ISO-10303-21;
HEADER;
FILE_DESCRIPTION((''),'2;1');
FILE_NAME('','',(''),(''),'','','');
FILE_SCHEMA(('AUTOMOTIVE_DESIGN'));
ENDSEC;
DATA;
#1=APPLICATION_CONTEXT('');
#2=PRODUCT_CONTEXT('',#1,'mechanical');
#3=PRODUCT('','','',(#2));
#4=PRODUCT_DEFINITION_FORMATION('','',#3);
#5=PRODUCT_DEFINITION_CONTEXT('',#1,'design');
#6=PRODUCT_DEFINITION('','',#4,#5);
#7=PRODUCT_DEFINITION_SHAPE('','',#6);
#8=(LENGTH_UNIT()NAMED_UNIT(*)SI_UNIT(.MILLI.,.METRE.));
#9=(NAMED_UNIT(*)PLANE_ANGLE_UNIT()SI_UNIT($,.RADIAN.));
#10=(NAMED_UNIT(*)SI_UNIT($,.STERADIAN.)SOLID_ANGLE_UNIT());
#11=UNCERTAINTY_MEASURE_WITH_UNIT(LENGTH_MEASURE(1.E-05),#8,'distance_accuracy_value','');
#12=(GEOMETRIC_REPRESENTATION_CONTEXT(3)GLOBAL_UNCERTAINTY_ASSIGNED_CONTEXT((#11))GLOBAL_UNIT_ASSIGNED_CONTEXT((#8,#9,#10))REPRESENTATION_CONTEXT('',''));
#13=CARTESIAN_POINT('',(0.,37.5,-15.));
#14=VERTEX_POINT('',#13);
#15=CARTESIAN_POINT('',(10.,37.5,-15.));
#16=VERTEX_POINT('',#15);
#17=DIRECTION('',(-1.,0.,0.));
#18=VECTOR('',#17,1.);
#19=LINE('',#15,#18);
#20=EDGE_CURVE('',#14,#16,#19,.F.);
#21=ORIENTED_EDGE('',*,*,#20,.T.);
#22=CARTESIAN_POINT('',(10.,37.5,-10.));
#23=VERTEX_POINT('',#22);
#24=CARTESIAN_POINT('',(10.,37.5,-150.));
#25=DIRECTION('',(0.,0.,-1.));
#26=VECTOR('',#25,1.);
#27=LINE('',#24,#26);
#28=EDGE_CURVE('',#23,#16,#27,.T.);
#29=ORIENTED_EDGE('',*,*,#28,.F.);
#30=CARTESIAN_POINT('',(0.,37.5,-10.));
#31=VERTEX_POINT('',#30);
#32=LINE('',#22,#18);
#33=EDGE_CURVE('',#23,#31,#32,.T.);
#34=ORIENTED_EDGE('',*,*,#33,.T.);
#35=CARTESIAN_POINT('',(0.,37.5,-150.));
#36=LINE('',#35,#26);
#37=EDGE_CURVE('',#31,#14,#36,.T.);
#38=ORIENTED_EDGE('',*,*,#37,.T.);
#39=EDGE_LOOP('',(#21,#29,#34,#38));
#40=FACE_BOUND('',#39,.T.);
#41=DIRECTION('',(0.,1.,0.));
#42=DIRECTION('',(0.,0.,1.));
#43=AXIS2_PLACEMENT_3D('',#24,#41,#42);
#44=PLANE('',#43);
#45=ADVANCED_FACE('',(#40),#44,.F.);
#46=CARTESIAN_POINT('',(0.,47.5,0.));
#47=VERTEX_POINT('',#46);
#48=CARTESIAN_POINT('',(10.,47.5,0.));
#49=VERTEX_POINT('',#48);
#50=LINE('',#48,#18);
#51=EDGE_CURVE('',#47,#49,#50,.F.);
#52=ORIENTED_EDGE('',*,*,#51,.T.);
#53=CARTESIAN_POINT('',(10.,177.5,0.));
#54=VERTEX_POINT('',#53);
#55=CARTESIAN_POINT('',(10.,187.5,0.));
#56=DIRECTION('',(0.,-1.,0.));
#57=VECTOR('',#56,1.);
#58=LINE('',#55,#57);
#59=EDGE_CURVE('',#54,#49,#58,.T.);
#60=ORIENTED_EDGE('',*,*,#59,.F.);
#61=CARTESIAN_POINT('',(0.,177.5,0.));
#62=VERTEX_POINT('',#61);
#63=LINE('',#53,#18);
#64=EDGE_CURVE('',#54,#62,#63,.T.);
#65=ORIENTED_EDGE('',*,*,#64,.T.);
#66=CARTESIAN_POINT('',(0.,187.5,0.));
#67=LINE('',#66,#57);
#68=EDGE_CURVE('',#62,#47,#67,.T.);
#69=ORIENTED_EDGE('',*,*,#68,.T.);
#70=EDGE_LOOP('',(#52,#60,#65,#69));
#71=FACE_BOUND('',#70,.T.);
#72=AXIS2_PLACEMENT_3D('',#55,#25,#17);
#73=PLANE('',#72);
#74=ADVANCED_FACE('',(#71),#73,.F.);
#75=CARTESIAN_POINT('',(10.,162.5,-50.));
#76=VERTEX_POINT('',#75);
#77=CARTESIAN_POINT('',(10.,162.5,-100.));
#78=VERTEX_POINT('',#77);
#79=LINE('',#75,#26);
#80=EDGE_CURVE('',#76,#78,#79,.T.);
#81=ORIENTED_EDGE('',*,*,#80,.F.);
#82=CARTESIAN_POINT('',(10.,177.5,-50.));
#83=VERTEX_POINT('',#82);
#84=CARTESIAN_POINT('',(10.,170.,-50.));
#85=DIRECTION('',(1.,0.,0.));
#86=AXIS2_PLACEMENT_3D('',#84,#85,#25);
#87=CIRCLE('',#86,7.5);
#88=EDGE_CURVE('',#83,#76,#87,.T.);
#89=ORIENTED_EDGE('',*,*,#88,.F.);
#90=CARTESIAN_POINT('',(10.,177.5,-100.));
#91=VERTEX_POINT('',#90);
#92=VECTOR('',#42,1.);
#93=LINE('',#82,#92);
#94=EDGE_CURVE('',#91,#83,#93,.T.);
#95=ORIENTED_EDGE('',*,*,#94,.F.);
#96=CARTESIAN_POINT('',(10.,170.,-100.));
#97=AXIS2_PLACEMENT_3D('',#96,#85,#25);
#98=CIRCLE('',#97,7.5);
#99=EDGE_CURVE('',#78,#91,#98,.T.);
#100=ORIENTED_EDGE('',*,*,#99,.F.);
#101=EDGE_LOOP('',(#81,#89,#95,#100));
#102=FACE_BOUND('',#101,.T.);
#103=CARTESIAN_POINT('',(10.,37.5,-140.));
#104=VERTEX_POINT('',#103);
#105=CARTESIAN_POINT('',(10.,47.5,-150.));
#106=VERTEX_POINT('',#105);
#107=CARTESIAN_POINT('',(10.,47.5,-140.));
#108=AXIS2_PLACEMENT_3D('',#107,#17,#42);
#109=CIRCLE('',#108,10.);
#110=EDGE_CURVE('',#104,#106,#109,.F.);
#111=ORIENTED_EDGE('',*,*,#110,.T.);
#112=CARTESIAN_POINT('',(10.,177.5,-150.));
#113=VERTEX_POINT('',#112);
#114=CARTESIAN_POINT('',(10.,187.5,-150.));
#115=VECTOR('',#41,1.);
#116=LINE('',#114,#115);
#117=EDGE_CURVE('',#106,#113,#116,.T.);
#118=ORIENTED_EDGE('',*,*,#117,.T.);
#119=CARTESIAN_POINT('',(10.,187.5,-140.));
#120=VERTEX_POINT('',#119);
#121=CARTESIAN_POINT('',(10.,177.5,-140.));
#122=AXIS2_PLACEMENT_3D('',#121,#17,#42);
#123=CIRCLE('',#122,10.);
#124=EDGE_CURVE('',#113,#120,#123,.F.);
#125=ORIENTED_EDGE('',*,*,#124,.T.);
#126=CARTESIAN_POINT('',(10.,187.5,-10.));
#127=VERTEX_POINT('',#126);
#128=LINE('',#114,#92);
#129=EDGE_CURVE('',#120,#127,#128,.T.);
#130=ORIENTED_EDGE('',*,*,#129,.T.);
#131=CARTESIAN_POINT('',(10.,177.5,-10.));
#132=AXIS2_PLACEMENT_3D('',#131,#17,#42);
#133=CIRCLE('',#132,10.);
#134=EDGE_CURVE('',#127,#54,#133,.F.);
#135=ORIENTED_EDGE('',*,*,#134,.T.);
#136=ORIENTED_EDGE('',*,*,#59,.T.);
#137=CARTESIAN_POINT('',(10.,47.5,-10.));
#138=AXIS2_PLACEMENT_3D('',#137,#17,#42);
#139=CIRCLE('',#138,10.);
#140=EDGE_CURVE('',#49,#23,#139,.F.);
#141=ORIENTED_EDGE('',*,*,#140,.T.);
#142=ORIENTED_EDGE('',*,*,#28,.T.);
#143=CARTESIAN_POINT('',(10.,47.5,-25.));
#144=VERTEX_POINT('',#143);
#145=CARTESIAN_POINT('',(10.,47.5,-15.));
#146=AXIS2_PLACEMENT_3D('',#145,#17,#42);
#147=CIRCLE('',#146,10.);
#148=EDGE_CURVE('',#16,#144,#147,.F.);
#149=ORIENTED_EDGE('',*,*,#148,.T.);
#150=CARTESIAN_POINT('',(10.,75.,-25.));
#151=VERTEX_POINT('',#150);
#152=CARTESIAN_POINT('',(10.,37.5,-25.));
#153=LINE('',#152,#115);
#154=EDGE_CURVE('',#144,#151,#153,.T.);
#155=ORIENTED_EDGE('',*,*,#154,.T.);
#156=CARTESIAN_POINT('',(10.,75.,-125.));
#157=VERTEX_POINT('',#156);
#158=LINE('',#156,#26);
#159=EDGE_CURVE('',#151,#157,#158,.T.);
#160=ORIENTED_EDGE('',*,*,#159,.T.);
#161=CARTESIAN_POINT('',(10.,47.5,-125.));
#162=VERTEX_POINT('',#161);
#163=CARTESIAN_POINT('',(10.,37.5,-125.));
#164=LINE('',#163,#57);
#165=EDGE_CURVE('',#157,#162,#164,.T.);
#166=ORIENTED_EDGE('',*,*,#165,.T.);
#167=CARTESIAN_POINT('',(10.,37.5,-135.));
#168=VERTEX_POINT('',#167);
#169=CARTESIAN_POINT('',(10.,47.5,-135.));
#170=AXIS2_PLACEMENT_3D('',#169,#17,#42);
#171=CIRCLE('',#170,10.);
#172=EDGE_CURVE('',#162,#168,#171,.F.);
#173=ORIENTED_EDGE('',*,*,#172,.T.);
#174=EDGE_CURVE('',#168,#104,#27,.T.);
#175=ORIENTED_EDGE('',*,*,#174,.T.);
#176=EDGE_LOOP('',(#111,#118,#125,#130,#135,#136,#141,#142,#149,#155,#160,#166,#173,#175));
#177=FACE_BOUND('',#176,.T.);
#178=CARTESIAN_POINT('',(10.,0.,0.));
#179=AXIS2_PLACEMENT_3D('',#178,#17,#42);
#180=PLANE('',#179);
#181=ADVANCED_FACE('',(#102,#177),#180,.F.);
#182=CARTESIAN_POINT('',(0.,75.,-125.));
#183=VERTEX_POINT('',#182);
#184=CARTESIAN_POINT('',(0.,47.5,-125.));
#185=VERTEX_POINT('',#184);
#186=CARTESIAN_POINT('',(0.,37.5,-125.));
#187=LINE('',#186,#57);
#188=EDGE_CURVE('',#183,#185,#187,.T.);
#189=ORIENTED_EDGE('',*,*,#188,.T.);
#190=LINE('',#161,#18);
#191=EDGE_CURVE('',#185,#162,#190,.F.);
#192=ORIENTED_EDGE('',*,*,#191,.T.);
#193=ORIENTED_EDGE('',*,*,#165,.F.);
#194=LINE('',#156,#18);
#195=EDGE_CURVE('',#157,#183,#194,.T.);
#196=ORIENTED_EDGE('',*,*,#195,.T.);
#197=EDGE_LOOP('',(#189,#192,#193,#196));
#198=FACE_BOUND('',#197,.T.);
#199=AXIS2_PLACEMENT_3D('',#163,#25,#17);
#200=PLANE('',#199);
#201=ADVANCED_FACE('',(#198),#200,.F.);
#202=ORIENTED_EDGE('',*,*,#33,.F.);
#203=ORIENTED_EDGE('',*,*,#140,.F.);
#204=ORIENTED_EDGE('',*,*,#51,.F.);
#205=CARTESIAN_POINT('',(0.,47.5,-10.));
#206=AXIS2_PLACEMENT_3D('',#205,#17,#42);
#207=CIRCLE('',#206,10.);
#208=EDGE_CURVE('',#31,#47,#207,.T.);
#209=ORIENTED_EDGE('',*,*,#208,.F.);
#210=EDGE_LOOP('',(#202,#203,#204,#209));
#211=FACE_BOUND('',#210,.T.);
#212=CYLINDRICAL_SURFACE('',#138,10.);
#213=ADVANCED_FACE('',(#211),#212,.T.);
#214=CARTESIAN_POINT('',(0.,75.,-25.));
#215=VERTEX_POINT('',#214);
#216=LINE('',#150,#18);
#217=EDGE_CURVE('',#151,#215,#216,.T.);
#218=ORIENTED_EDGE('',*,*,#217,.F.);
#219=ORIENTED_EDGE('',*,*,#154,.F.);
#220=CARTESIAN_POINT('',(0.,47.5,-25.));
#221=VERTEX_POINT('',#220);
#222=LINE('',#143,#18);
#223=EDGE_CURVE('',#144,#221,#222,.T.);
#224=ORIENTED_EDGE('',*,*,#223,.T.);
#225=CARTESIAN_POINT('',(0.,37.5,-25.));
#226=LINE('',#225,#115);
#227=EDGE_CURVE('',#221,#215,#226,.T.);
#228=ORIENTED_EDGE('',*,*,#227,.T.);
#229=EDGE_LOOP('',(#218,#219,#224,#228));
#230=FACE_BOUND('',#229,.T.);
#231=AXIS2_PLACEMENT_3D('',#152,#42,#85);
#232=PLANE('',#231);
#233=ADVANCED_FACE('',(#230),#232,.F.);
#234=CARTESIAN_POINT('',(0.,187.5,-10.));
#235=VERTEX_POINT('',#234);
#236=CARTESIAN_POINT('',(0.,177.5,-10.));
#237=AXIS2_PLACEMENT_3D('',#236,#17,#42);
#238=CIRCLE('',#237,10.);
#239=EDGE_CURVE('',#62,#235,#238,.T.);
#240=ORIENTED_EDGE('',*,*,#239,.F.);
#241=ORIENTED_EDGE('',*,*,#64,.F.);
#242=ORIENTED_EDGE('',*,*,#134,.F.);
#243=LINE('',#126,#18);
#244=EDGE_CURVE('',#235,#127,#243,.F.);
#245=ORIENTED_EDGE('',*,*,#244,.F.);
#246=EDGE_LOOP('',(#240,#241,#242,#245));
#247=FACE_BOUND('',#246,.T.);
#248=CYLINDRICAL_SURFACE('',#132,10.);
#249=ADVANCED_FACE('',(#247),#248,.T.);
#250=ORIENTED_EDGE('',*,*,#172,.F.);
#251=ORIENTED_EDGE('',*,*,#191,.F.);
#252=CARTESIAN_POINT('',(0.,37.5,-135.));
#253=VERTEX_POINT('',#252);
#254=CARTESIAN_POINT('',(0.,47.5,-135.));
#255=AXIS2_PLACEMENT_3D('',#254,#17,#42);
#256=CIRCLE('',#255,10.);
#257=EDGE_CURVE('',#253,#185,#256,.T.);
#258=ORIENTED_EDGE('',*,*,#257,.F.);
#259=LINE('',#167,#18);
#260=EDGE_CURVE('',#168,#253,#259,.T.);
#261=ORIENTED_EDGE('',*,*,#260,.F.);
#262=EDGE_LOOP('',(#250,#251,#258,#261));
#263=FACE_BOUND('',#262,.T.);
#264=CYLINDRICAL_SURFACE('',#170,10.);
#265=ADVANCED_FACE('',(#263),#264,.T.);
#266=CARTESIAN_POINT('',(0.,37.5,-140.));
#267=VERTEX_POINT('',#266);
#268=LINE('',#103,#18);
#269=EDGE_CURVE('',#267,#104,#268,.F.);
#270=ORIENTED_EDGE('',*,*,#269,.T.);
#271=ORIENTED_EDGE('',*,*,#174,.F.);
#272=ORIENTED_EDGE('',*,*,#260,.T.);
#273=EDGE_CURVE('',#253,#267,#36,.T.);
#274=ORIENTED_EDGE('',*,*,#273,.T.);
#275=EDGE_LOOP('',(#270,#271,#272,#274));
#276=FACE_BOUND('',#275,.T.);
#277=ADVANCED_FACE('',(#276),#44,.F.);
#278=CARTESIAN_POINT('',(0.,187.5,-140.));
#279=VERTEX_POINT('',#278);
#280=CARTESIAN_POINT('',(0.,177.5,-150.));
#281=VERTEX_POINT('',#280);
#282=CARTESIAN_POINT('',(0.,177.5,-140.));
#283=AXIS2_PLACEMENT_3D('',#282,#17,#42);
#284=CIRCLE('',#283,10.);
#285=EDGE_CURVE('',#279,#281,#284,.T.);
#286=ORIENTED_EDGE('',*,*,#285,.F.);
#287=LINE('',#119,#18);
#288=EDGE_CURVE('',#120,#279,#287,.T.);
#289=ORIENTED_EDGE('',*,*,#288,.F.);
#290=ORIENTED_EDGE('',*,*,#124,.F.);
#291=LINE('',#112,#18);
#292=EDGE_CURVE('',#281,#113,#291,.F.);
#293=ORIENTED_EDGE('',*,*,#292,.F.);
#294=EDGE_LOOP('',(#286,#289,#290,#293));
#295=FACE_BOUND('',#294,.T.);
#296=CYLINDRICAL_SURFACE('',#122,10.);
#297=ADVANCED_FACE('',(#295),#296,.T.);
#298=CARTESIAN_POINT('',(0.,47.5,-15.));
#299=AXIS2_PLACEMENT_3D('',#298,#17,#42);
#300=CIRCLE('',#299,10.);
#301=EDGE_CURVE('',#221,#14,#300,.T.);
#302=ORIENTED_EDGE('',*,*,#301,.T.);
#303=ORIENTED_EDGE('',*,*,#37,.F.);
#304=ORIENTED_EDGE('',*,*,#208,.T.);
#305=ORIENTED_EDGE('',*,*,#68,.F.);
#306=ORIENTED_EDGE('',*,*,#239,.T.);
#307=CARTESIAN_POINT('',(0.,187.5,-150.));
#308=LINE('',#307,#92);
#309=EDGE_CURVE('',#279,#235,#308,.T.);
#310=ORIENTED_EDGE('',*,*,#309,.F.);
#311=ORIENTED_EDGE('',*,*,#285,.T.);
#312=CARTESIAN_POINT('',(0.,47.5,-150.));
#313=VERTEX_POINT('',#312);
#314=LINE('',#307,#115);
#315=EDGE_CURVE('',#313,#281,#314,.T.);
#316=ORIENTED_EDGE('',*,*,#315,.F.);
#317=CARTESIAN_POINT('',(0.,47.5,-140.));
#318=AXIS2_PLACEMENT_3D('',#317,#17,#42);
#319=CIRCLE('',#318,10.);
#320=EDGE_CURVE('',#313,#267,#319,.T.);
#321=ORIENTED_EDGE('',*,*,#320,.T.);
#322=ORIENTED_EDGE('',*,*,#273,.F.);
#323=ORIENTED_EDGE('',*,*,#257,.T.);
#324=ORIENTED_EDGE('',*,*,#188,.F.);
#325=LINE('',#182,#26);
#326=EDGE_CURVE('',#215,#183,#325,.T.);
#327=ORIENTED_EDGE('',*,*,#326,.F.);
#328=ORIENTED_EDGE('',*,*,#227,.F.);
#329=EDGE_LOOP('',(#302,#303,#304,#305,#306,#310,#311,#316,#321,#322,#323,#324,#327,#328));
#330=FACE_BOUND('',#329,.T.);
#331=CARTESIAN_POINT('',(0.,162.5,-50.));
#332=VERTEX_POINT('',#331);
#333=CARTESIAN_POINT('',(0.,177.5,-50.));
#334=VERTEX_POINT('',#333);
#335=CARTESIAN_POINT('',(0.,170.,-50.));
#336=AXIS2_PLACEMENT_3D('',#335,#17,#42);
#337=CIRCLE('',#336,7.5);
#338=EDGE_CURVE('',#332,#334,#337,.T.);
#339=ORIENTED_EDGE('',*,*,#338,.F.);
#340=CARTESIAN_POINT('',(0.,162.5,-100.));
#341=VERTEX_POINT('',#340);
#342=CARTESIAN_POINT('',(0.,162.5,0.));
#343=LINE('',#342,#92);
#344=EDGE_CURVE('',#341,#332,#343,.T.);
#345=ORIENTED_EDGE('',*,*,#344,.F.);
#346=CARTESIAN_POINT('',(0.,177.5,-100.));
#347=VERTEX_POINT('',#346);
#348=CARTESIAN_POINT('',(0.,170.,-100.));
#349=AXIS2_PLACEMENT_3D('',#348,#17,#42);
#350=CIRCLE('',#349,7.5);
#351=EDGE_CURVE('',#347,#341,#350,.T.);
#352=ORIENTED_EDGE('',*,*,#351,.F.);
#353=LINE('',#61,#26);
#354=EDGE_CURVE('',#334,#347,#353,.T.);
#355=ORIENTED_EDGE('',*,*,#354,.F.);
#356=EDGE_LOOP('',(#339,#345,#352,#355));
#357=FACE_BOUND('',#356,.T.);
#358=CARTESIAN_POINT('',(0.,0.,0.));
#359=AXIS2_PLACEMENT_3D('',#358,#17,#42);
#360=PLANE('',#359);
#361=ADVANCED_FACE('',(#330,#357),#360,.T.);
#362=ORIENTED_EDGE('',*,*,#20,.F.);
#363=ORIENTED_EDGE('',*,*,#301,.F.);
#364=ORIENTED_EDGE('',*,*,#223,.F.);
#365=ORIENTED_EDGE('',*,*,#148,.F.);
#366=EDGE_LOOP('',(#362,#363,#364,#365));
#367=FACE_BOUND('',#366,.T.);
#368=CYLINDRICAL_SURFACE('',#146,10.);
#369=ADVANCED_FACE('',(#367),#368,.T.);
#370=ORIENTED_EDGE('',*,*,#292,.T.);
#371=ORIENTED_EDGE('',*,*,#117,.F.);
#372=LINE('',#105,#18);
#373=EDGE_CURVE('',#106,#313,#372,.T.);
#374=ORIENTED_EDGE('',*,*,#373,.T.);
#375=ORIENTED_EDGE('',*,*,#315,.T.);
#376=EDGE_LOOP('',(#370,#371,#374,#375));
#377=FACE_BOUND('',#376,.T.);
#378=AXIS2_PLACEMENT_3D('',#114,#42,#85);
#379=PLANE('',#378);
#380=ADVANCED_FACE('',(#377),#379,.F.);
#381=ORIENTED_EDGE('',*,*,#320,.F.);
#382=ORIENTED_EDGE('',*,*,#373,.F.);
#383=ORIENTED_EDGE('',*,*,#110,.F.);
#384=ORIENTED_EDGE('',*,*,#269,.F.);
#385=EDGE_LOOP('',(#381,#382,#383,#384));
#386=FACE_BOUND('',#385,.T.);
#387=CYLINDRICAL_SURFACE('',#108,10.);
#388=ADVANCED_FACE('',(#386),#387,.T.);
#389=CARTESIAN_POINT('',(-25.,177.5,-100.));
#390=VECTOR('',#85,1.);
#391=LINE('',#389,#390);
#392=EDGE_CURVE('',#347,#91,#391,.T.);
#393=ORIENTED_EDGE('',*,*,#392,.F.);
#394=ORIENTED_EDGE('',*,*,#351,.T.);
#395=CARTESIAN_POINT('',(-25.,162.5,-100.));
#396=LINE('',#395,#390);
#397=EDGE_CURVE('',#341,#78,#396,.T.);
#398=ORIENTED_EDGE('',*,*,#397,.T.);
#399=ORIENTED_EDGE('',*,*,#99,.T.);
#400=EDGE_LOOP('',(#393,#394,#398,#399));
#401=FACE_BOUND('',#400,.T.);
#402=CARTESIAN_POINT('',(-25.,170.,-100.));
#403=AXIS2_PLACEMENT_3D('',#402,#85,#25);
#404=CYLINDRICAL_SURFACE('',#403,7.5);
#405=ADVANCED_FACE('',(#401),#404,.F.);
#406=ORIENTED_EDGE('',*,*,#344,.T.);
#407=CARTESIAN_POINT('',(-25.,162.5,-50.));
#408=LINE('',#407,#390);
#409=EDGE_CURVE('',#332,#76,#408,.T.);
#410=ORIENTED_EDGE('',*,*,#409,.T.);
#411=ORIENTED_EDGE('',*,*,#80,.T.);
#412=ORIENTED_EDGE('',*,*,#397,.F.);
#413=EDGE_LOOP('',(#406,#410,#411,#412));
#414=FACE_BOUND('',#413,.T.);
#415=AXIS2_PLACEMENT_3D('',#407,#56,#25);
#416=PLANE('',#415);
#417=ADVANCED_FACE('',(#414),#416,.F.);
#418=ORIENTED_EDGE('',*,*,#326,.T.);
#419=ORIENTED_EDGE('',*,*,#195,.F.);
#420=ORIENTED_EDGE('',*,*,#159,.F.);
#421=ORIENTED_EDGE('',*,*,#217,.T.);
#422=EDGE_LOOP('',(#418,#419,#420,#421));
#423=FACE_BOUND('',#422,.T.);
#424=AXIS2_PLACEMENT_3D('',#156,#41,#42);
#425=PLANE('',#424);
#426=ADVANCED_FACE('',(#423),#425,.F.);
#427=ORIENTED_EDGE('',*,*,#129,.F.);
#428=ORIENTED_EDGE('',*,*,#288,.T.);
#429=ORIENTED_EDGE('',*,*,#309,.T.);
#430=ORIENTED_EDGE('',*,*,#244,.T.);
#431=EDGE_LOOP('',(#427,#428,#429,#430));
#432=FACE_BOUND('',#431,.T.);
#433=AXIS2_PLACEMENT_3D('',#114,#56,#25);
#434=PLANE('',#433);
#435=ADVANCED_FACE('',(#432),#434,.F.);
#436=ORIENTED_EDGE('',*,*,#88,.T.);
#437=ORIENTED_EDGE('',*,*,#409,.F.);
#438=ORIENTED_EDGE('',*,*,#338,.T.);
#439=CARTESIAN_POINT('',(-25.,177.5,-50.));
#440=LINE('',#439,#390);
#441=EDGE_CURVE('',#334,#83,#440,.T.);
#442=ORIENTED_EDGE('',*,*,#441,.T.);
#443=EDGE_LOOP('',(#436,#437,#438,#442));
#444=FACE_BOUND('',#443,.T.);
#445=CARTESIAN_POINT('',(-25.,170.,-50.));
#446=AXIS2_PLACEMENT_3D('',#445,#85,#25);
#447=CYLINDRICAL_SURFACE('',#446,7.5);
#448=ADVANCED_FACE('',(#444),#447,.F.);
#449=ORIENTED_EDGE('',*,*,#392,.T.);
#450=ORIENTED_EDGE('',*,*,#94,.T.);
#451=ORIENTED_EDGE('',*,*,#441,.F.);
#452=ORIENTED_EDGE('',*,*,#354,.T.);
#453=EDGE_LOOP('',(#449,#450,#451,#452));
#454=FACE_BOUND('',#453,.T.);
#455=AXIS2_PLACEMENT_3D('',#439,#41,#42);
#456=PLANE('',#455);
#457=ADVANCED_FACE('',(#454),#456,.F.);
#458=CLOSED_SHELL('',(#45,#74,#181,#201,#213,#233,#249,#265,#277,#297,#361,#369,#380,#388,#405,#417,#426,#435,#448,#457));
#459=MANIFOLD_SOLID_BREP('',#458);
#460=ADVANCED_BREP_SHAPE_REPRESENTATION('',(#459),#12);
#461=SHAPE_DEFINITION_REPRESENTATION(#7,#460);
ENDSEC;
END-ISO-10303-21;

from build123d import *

# Parameters (mm, degrees)
SKETCH10_W          = 150
SKETCH10_H          = 150
BOSS_EXTRUDE3_DEPTH = 10
SKETCH12_W          = 100
SKETCH12_H          = 37.5
CUT_EXTRUDE2_DEPTH  = 10
FILLET7_R           = 10
CUT_EXTRUDE3_DEPTH  = 35


with BuildPart() as part:
    # Sketch10 → Boss-Extrude3 (new body)
    with BuildSketch(Plane(origin=(0, 0, 0), x_dir=(0, 0, -1), z_dir=(1, 0, 0))):
        with Locations((75, 112.5)):
            Rectangle(SKETCH10_W, SKETCH10_H)
    extrude(amount=BOSS_EXTRUDE3_DEPTH)

    # Sketch12 → Cut-Extrude2 (cut)
    with BuildSketch(Plane.ZY):
        with Locations((-75, 56.25)):
            Rectangle(SKETCH12_W, SKETCH12_H)
    extrude(amount=-CUT_EXTRUDE2_DEPTH, mode=Mode.SUBTRACT)

    # Fillet7
    fillet7_edges = [part.edges().sort_by_distance(p)[0] for p in [
        (5, 37.5, -125),
        (5, 37.5, -25),
        (5, 187.5, 0),
        (5, 187.5, -150),
        (5, 37.5, -150),
        (5, 37.5, 0),
    ]]
    fillet(fillet7_edges, radius=FILLET7_R)

    # Sketch13 → Cut-Extrude3 (cut)
    with BuildSketch(Plane(origin=(10, 0, 0), x_dir=(0, 0, -1), z_dir=(1, 0, 0))):
        with BuildLine():
            Line((50, 177.5), (100, 177.5))
            ThreePointArc((100, 177.5), (107.5, 170), (100, 162.5))
            Line((100, 162.5), (50, 162.5))
            ThreePointArc((50, 162.5), (42.5, 170), (50, 177.5))
        make_face()
    extrude(amount=-CUT_EXTRUDE3_DEPTH, mode=Mode.SUBTRACT)


solid = part.part
